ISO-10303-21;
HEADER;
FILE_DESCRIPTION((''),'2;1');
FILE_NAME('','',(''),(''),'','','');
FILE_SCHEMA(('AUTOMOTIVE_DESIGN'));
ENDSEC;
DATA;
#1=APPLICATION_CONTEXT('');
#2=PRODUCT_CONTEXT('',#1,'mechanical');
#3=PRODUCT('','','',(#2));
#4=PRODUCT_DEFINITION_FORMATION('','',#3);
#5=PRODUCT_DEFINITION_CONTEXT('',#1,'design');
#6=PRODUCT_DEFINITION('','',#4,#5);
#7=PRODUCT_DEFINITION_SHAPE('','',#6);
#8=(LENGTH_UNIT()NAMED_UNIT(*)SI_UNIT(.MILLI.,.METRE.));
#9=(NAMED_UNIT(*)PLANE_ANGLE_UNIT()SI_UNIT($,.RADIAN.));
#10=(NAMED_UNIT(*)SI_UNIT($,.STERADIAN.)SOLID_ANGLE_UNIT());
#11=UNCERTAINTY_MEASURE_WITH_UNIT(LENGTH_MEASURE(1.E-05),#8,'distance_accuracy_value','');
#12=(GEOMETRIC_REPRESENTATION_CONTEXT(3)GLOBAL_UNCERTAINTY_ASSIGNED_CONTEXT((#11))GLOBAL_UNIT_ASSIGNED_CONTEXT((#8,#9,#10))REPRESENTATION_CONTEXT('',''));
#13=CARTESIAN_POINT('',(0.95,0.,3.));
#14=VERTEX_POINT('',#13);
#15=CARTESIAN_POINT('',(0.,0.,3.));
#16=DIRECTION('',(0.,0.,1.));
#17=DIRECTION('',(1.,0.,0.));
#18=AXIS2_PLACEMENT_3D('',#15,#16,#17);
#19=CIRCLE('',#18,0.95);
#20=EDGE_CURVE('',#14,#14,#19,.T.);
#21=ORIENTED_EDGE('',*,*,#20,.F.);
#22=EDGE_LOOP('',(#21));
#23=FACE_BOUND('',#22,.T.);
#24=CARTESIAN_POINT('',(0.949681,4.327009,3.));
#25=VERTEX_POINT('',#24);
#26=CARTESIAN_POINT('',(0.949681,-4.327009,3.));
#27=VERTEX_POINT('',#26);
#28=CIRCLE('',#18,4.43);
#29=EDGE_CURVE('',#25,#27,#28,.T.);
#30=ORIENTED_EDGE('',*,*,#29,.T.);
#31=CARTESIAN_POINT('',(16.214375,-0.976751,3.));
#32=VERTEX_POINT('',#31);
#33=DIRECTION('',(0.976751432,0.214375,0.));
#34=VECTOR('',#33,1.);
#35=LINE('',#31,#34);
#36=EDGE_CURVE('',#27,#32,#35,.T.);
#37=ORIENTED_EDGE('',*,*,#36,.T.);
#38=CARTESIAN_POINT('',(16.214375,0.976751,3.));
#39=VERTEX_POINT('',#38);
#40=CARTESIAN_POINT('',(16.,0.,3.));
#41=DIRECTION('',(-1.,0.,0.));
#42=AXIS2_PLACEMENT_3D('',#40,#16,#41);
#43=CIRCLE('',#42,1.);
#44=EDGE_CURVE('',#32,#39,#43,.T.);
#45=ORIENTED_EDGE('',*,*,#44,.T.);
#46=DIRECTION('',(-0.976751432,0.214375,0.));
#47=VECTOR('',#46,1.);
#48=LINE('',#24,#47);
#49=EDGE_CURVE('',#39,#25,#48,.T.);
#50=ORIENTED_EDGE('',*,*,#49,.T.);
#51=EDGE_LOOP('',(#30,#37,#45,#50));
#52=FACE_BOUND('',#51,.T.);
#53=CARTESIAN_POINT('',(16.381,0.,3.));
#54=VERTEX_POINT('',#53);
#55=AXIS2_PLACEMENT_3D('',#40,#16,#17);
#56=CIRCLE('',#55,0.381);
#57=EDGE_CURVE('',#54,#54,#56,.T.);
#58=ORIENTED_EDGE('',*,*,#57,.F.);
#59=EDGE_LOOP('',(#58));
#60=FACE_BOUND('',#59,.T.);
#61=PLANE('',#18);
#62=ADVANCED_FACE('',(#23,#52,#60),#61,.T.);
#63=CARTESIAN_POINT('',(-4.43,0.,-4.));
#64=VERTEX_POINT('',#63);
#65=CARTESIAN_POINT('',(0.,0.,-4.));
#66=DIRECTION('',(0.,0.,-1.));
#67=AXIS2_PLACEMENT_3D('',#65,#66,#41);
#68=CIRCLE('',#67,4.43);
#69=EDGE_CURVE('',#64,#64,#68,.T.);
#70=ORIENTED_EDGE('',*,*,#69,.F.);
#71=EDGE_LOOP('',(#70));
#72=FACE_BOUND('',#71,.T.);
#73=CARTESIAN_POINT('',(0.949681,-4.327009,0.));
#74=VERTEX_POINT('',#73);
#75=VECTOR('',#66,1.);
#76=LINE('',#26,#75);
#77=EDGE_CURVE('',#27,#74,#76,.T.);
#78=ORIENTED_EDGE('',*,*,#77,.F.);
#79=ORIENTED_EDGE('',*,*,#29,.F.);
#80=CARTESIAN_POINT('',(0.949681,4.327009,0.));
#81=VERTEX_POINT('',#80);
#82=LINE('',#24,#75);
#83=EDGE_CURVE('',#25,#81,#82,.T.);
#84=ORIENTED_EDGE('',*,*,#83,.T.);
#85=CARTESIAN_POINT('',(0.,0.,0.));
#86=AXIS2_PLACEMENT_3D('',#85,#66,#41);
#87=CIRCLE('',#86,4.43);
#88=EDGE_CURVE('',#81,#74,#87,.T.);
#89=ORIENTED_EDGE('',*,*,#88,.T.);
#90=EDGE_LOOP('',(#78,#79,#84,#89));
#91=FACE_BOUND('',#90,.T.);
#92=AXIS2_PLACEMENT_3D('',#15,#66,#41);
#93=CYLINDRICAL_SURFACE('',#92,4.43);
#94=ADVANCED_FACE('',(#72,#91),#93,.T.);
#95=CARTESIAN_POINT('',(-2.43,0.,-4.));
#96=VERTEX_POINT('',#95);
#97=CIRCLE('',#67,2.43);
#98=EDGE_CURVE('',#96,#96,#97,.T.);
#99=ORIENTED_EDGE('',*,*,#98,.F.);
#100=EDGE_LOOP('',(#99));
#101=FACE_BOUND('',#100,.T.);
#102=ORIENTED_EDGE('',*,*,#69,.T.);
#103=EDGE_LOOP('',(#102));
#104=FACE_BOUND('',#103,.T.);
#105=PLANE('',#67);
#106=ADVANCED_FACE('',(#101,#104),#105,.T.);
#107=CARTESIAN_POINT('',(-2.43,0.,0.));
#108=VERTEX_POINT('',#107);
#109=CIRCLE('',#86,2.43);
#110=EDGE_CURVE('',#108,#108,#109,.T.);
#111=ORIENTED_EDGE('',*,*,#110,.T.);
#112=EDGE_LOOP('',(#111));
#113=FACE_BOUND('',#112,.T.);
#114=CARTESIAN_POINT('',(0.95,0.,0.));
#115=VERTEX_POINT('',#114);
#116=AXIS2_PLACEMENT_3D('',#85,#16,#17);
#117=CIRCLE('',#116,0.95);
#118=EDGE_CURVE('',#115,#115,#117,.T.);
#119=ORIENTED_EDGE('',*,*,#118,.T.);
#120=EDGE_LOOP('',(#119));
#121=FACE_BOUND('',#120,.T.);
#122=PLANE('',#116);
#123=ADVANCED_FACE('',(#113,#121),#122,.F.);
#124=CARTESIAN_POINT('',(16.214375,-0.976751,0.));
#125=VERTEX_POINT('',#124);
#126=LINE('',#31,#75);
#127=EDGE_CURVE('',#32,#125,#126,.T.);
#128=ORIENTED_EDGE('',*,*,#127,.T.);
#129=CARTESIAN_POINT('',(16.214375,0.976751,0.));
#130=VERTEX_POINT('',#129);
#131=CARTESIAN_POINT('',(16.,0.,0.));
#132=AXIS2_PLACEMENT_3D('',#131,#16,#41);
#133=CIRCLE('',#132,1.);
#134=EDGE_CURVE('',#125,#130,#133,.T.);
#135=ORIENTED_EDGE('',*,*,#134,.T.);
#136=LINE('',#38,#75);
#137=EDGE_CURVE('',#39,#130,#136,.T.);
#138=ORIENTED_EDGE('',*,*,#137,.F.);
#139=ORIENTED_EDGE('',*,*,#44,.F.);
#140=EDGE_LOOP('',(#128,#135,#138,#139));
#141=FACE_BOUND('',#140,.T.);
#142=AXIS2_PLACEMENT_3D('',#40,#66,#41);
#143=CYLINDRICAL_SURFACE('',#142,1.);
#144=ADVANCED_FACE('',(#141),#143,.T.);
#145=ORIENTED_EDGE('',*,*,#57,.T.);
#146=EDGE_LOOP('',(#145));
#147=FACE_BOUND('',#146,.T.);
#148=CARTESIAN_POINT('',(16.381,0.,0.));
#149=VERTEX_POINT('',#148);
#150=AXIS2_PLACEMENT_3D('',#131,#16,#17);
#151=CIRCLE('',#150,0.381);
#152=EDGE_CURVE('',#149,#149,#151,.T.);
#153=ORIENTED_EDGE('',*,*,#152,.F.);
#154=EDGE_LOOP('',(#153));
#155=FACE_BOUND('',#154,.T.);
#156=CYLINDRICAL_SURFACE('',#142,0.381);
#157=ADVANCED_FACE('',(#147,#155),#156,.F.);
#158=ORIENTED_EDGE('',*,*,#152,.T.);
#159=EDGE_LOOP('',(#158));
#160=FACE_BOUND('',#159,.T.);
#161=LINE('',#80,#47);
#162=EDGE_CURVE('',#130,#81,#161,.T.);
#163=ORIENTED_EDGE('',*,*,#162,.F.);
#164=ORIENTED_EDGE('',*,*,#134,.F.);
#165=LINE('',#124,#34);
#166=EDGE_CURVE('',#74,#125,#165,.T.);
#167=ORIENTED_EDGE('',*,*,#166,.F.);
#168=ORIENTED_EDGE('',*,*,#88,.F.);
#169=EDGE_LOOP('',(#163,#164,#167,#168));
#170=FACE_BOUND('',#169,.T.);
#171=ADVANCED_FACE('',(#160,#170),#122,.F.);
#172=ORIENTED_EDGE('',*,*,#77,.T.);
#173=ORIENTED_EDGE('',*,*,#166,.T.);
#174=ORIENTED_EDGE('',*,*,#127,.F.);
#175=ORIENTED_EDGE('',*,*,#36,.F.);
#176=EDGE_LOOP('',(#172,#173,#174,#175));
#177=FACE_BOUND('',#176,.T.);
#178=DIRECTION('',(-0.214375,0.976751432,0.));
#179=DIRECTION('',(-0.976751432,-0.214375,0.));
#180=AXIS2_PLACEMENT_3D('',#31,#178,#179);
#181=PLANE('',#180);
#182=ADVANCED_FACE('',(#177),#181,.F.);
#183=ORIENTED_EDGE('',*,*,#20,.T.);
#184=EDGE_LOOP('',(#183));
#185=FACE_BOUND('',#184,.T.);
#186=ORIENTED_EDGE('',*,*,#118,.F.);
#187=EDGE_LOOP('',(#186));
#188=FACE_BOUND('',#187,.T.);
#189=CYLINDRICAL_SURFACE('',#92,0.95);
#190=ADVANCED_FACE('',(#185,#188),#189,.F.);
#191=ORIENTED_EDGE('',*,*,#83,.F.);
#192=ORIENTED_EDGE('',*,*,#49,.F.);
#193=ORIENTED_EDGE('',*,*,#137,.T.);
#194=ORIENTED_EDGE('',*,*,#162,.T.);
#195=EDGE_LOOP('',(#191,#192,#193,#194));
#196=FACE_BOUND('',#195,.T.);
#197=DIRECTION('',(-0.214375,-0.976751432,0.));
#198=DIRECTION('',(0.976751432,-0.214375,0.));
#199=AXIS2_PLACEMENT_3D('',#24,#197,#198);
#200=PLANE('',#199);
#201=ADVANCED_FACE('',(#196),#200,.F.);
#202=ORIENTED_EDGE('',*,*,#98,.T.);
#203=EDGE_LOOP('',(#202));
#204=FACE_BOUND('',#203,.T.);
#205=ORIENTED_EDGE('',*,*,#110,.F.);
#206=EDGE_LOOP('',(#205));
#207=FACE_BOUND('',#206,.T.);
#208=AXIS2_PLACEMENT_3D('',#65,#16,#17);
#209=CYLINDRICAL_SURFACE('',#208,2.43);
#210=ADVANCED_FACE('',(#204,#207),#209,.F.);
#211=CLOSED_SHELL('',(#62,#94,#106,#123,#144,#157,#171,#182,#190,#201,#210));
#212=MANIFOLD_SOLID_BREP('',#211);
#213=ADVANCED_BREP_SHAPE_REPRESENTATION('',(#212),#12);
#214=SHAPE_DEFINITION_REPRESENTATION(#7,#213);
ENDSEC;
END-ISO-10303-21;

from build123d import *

# Parameters (mm, degrees)
SKETCH1_R           = 0.95
SKETCH1_R_2         = 0.381
BOSS_EXTRUDE1_DEPTH = 3
BOSS_EXTRUDE2_START = 4
SKETCH2_R           = 4.43
SKETCH2_R_2         = 2.43
BOSS_EXTRUDE2_DEPTH = 4


with BuildPart() as part:
    # Sketch1 → Boss-Extrude1 (new body)
    with BuildSketch(Plane.XY):
        with BuildLine():
            Line((0.94968125, 4.327008843), (16.214375, 0.976751432))
            ThreePointArc((16.214375, 0.976751432), (17, 0), (16.214375, -0.976751432))
            Line((16.214375, -0.976751432), (0.94968125, -4.327008843))
            ThreePointArc((0.94968125, -4.327008843), (-4.43, 0), (0.94968125, 4.327008843))
        make_face()
        Circle(SKETCH1_R, mode=Mode.SUBTRACT)
        with Locations((16, 0)):
            Circle(SKETCH1_R_2, mode=Mode.SUBTRACT)
    extrude(amount=BOSS_EXTRUDE1_DEPTH)

    # Sketch2 → Boss-Extrude2 (add)
    with BuildSketch(Plane(origin=(0, 0, 0), x_dir=(-1, 0, 0), z_dir=(0, 0, -1)).offset(BOSS_EXTRUDE2_START)):
        Circle(SKETCH2_R)
        Circle(SKETCH2_R_2, mode=Mode.SUBTRACT)
    extrude(amount=-BOSS_EXTRUDE2_DEPTH)


solid = part.part
